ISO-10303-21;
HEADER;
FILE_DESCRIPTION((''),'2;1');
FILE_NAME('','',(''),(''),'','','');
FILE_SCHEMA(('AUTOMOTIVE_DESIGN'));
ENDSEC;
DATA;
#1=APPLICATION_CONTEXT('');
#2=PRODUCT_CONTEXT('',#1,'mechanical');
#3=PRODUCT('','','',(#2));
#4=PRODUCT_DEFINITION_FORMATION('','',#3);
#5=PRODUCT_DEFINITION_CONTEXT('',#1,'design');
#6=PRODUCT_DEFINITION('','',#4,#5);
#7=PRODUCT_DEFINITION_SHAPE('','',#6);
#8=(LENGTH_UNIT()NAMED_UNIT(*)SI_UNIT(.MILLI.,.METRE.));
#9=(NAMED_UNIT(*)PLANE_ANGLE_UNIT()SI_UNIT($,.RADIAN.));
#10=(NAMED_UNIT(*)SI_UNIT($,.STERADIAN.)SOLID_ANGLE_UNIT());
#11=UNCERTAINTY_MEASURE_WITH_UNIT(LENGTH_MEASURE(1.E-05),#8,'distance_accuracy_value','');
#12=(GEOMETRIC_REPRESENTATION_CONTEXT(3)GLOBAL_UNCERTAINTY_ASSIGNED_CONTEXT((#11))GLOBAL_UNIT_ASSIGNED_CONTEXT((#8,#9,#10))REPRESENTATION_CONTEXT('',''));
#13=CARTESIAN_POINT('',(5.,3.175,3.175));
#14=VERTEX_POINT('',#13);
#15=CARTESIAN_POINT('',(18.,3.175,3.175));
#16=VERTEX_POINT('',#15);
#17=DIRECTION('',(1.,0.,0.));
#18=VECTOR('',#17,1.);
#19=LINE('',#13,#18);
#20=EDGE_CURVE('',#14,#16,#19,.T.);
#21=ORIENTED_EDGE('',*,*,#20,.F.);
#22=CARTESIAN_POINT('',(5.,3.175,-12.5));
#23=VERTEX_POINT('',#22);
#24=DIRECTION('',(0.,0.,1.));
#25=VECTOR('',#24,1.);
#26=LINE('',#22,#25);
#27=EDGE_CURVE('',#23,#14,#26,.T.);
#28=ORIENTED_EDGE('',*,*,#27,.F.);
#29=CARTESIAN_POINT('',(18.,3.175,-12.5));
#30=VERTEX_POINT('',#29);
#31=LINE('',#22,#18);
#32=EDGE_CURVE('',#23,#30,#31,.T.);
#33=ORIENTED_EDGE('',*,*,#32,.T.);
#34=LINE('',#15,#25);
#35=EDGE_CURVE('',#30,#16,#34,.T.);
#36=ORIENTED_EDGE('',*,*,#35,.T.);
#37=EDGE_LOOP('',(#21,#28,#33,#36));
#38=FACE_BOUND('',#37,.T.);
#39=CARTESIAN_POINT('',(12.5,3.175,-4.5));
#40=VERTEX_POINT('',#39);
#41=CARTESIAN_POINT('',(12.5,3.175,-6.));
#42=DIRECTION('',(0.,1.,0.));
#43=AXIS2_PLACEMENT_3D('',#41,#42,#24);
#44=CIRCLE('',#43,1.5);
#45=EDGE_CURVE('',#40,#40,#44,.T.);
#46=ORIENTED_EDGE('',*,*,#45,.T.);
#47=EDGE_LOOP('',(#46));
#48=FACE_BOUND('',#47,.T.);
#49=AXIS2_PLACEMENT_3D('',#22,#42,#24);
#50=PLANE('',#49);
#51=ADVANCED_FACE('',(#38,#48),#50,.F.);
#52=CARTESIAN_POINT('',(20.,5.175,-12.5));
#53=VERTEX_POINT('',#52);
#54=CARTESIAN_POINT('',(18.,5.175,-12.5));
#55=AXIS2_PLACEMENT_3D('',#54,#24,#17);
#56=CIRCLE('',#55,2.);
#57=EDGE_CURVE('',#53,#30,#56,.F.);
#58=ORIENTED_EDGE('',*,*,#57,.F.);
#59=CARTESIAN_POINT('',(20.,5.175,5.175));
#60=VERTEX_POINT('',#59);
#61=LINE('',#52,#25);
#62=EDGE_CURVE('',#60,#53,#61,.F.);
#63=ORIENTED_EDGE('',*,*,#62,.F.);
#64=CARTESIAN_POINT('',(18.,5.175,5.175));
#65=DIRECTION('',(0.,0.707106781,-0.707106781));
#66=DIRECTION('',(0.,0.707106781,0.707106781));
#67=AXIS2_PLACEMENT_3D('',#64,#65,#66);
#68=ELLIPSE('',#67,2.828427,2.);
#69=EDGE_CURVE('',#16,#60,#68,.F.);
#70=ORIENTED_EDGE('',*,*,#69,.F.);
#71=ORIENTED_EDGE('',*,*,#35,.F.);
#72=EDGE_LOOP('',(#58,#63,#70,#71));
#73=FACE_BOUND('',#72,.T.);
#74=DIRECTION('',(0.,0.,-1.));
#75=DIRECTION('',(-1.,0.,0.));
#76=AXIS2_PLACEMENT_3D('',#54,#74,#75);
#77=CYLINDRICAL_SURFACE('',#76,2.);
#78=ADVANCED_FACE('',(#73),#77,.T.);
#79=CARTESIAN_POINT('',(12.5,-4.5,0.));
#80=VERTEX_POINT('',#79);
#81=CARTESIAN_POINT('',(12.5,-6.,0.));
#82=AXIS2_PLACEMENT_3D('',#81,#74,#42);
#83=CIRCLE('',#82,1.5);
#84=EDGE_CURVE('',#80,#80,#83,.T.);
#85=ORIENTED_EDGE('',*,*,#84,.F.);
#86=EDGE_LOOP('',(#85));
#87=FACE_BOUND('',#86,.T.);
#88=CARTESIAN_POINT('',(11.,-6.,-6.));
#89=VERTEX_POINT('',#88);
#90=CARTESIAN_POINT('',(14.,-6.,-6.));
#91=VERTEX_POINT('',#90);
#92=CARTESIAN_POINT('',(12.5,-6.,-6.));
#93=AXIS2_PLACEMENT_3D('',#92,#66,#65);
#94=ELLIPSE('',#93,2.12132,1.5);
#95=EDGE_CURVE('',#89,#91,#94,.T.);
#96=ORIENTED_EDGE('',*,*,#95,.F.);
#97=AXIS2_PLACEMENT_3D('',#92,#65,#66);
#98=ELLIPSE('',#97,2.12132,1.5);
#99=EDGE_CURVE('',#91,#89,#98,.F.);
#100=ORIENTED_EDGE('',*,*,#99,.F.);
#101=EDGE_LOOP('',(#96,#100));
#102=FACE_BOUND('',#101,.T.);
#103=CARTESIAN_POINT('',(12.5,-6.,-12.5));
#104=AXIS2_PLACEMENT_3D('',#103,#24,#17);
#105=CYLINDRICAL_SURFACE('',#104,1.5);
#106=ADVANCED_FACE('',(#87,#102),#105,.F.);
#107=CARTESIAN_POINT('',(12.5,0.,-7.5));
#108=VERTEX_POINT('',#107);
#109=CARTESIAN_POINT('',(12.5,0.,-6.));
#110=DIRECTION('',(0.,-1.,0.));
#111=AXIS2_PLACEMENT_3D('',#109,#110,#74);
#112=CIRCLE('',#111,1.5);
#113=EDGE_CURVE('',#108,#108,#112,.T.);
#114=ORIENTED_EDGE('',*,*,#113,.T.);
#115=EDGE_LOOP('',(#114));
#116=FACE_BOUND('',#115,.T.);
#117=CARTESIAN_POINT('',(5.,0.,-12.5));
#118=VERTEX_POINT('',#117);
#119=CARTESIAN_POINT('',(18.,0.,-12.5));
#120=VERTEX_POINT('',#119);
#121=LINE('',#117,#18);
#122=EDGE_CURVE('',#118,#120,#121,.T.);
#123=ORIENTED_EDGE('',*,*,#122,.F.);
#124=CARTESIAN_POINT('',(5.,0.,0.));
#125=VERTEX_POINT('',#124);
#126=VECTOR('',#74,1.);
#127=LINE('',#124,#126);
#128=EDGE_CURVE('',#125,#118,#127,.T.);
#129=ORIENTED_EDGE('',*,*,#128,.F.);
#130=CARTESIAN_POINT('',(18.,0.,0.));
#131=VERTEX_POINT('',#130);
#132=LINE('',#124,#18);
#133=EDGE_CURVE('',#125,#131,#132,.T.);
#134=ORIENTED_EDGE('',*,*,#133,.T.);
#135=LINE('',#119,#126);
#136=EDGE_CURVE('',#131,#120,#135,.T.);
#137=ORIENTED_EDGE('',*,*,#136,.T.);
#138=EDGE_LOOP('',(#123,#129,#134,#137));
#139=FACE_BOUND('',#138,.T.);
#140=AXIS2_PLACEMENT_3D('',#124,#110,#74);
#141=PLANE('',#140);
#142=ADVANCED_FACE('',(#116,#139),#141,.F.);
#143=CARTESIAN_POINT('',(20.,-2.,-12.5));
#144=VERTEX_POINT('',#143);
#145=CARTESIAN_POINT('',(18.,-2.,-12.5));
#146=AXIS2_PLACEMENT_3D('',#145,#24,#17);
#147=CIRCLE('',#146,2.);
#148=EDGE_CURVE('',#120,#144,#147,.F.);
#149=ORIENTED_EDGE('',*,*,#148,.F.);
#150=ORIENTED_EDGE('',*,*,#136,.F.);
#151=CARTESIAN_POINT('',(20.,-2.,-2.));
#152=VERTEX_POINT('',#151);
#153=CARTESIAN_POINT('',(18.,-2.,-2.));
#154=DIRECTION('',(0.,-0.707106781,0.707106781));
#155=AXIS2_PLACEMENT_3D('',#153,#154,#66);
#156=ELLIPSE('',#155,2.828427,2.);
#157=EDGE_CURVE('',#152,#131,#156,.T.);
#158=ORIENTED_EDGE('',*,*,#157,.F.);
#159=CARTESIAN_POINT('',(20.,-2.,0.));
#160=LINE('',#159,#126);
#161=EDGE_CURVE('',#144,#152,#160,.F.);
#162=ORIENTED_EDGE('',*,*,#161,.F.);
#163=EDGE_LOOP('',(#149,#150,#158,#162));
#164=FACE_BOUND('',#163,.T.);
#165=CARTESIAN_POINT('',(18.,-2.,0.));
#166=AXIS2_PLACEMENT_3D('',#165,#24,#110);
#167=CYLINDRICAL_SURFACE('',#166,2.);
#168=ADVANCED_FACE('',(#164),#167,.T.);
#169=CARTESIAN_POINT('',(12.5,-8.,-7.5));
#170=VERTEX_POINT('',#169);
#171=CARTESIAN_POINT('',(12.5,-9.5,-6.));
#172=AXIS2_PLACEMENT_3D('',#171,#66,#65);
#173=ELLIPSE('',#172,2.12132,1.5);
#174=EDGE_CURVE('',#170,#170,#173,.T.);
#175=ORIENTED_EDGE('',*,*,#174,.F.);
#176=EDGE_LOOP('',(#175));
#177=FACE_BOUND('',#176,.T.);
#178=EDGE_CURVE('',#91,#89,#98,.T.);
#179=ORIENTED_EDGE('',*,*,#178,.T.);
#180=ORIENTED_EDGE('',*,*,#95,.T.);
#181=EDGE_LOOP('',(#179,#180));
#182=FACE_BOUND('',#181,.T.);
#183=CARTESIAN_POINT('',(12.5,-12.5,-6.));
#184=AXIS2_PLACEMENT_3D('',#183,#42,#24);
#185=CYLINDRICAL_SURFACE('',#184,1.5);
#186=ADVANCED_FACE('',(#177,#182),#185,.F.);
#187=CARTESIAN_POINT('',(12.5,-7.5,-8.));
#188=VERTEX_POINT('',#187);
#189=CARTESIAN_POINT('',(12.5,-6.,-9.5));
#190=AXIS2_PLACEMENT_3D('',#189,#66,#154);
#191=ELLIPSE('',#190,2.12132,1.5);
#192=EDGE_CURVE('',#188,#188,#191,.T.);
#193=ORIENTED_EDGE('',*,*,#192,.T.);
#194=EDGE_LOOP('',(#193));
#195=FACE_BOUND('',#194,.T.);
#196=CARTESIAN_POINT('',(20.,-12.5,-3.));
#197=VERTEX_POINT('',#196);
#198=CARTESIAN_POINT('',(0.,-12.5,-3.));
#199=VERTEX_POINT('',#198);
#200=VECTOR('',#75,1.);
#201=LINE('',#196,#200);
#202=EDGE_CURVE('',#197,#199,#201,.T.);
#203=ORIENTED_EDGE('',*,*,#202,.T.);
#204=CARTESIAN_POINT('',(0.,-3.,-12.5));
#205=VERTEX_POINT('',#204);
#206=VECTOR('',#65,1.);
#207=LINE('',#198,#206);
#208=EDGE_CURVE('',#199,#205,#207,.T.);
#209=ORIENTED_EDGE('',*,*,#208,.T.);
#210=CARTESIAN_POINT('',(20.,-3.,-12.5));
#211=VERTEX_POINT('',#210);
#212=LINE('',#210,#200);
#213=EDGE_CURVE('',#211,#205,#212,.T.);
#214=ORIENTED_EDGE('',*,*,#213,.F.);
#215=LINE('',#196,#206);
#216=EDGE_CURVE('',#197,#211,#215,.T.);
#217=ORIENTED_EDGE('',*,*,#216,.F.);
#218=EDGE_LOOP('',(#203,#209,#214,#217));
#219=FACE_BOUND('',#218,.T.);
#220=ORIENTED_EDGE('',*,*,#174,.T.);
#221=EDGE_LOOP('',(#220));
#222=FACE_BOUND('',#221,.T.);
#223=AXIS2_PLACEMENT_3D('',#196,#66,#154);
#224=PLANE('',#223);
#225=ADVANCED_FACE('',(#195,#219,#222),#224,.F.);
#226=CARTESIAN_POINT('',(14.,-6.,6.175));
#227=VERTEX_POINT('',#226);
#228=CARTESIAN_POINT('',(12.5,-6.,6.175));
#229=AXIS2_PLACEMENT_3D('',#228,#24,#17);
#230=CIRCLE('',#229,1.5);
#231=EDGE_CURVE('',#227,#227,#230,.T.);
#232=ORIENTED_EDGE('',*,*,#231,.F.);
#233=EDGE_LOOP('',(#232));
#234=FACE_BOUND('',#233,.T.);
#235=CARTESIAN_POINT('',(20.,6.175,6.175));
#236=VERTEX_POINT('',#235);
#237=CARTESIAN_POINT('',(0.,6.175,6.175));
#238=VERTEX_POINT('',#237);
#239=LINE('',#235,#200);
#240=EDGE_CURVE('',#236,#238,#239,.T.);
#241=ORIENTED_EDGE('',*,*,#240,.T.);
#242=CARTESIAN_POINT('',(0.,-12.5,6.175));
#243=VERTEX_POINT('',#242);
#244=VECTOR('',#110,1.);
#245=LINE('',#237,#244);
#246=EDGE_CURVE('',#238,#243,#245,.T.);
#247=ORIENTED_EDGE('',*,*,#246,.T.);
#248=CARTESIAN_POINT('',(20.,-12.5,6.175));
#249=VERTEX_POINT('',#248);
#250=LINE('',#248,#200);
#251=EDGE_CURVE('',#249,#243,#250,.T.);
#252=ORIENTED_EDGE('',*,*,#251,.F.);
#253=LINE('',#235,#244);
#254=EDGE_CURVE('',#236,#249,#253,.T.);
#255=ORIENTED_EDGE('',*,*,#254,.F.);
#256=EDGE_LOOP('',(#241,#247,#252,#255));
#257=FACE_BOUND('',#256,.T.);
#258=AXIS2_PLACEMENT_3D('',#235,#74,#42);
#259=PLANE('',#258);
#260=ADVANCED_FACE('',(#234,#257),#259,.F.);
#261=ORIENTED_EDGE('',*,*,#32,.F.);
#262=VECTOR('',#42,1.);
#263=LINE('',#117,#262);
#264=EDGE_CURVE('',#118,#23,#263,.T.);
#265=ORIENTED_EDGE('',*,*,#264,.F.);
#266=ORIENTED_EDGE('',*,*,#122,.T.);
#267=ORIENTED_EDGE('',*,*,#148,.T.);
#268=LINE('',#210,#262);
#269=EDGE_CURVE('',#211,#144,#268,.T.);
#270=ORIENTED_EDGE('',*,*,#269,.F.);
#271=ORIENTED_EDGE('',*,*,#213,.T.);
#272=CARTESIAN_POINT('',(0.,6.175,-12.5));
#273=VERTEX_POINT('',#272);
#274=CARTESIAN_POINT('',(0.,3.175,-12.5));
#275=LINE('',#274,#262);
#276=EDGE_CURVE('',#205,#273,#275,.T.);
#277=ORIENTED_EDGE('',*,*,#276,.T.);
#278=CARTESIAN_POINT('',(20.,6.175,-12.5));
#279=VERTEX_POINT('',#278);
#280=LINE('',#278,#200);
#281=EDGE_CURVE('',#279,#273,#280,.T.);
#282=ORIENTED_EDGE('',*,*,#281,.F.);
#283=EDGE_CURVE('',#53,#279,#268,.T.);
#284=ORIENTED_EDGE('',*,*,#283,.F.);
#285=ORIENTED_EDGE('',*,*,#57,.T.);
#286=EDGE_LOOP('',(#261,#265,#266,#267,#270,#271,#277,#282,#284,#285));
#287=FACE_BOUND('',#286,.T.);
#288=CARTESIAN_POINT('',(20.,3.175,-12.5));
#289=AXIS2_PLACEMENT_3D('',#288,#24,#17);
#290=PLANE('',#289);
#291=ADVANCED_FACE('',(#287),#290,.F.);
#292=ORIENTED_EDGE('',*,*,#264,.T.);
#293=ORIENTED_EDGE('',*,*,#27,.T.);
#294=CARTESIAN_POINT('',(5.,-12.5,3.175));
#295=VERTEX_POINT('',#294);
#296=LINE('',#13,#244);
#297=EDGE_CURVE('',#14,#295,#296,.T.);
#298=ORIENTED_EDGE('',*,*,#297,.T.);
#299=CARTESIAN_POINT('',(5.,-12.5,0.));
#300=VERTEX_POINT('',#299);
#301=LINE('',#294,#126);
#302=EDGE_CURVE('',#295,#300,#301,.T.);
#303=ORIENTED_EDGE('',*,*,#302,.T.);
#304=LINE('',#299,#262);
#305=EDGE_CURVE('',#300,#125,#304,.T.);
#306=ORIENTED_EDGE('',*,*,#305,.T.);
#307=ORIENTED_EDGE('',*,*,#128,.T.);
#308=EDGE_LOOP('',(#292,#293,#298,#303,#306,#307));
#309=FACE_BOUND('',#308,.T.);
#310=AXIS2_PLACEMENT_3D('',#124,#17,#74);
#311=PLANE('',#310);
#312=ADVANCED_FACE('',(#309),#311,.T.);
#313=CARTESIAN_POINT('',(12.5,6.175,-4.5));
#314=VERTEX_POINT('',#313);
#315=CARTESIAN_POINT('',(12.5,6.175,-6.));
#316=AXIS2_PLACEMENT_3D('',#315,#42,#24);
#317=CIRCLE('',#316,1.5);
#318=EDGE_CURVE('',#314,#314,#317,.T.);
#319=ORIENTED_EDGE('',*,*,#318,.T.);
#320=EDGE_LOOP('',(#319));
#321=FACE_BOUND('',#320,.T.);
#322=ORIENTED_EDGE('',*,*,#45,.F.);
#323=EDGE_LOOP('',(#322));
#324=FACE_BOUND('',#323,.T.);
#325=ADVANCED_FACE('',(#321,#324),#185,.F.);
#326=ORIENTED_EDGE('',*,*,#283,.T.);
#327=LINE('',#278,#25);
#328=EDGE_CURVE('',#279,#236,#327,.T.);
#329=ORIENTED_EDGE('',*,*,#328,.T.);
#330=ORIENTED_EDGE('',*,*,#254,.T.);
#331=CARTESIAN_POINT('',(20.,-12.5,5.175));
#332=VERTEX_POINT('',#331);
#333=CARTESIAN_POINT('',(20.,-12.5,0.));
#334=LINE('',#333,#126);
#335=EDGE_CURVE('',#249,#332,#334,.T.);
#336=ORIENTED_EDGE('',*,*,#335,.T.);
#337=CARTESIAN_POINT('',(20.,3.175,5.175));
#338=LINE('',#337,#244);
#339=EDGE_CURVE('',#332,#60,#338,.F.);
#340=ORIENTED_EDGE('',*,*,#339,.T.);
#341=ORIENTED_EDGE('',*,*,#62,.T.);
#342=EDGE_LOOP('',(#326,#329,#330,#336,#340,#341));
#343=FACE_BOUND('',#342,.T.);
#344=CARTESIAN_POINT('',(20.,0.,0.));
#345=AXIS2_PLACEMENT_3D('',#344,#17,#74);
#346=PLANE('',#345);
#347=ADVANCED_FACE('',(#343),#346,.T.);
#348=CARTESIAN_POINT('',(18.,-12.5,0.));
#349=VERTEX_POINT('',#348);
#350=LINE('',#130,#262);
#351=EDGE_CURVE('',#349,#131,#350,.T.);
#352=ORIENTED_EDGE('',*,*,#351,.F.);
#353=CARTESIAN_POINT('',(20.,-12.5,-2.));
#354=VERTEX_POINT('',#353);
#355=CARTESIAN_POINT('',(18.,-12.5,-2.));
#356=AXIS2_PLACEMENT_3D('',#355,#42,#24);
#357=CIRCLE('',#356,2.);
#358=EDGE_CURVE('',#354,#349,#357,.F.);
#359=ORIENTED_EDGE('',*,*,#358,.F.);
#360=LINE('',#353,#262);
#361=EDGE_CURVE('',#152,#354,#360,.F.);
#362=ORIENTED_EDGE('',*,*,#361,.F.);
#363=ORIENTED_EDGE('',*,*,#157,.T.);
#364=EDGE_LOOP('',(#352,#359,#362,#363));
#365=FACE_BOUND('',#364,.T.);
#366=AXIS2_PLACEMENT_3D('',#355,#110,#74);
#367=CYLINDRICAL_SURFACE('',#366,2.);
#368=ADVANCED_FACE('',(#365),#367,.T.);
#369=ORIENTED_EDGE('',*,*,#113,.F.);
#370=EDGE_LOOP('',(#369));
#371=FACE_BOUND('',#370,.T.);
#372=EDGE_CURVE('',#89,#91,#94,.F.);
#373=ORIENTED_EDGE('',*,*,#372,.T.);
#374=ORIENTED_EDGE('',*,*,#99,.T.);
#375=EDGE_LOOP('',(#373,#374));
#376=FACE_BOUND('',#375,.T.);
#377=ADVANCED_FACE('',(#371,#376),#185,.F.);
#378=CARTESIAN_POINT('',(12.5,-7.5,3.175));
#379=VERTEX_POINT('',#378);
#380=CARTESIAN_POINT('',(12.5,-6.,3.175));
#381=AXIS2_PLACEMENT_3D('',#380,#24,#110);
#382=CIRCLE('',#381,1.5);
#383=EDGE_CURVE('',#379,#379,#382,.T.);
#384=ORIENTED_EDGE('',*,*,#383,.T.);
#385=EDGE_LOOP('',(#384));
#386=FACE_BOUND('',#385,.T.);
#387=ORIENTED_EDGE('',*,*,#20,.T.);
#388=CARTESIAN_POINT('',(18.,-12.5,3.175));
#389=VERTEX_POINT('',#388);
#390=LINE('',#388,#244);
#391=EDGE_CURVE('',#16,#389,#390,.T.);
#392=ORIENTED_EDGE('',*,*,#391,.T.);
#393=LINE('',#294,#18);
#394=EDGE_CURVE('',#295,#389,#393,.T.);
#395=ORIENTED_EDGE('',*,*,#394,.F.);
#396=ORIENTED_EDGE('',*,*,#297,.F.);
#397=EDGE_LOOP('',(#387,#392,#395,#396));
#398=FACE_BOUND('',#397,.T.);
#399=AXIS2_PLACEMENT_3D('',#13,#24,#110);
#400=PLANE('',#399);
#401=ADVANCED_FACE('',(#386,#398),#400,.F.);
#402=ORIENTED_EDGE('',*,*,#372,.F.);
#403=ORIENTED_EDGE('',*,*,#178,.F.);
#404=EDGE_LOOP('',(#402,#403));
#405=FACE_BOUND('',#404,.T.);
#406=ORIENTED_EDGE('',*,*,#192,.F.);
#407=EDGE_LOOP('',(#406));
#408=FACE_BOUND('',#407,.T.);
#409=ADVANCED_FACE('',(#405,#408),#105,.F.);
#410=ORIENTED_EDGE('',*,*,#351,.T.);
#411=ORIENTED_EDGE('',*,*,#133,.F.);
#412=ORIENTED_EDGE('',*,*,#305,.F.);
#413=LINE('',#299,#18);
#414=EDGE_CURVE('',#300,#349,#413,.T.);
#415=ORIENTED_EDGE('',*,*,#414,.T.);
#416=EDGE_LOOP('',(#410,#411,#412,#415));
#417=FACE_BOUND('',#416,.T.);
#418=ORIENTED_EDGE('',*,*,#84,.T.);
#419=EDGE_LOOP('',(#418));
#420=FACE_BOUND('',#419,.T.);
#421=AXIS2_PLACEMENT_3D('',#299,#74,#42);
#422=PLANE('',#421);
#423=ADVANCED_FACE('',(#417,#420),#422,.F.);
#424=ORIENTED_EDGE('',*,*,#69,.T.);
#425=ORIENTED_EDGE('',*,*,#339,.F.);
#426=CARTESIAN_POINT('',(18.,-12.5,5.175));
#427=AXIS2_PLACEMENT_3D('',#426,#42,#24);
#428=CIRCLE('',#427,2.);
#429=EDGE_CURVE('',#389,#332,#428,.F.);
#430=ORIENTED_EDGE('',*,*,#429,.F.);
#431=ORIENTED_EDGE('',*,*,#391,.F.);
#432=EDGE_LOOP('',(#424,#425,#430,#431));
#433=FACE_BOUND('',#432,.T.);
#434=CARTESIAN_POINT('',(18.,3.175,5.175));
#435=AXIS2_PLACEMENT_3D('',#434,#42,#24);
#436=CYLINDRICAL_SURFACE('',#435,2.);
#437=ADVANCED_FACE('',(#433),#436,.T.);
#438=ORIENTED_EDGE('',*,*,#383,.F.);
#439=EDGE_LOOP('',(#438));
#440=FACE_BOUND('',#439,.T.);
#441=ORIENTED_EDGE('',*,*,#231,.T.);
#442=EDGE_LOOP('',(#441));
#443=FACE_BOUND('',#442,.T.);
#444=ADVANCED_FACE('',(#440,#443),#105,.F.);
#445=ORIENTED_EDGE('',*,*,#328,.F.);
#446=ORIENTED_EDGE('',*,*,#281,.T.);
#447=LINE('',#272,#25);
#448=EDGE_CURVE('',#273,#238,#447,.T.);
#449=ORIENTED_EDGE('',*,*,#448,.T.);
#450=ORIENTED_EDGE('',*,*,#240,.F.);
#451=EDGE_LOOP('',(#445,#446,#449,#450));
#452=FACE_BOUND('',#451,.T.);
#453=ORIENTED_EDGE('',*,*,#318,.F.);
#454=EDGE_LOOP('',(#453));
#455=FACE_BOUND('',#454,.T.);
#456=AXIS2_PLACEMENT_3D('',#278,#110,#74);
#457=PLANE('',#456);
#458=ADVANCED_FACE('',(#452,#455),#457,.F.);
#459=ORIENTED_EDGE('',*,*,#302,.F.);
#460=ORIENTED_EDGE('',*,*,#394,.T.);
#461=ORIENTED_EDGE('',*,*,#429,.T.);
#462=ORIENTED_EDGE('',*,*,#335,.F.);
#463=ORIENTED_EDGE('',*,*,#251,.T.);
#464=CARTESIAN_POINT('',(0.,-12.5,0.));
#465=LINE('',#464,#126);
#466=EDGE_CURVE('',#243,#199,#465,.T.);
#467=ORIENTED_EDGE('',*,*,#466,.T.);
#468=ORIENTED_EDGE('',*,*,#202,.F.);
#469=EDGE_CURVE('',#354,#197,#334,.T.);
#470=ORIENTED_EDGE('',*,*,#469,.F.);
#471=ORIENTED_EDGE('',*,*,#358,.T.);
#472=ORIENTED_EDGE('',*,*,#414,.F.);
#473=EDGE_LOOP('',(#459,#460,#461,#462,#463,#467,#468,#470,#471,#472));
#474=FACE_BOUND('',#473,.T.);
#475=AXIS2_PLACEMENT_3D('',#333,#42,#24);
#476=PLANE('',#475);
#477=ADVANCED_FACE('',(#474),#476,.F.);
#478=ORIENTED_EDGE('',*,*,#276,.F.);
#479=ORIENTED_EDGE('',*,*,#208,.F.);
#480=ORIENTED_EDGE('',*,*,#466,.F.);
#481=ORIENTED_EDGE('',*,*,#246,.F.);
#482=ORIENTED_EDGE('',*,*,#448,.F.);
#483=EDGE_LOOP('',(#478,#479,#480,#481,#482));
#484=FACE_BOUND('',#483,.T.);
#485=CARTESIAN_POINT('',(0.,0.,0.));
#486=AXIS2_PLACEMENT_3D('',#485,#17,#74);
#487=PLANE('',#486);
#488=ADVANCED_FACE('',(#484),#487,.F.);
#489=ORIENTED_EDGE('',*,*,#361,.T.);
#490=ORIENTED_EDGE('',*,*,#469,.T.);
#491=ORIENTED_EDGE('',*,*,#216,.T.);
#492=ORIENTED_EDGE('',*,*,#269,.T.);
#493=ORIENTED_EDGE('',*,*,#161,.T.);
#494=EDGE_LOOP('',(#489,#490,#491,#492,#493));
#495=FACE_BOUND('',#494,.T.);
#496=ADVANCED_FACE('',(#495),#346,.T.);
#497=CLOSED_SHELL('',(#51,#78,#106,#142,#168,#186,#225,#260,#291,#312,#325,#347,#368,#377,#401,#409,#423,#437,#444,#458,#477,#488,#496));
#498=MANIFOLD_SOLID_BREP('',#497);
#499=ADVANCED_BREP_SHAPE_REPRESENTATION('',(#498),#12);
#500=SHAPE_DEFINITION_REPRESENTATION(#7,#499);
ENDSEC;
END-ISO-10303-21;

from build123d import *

# Parameters (mm, degrees)
BOSS_EXTRUDE1_DEPTH = 20
CUT_EXTRUDE1_DEPTH  = 15
FILLET1_R           = 2
SKETCH3_R           = 1.5
CUT_EXTRUDE2_DEPTH  = 31.083311404
SKETCH4_R           = 1.5
CUT_EXTRUDE3_DEPTH  = 31.083311404


with BuildPart() as part:
    # Sketch1 → Boss-Extrude1 (new body)
    with BuildSketch(Plane(origin=(0, 0, 0), x_dir=(0, 0, -1), z_dir=(1, 0, 0))):
        Polygon((0, -12.5), (-3.175, -12.5), (-6.175, -12.5), (-6.175, 6.175), (12.5, 6.175), (12.5, 3.175), (12.5, 0), (12.5, -3), (3, -12.5), align=None)
    extrude(amount=BOSS_EXTRUDE1_DEPTH)

    # Sketch2 → Cut-Extrude1 (cut)
    with BuildSketch(Plane(origin=(20, 0, 0), x_dir=(0, 0, -1), z_dir=(1, 0, 0))):
        Polygon((-3.175, -12.5), (0, -12.5), (0, 0), (12.5, 0), (12.5, 3.175), (-3.175, 3.175), align=None)
    extrude(amount=-CUT_EXTRUDE1_DEPTH, mode=Mode.SUBTRACT)

    # Fillet1
    fillet1_edges = [part.edges().sort_by_distance(p)[0] for p in [
        (20, -4.6625, 3.175),
        (20, -6.25, 0),
        (20, 0, -6.25),
        (20, 3.175, -4.6625),
    ]]
    fillet(fillet1_edges, radius=FILLET1_R)

    # Sketch3 → Cut-Extrude2 (cut, through all)
    with BuildSketch(Plane(origin=(0, 6.175, 0), x_dir=(1, 0, 0), z_dir=(0, 1, 0))):
        with Locations(Location((12.5, 6, 0), (0, 0, 90))):
            Circle(SKETCH3_R)
    extrude(amount=-CUT_EXTRUDE2_DEPTH, mode=Mode.SUBTRACT)

    # Sketch4 → Cut-Extrude3 (cut, through all)
    with BuildSketch(Plane.XY.offset(6.175)):
        with Locations((12.5, -6)):
            Circle(SKETCH4_R)
    extrude(amount=-CUT_EXTRUDE3_DEPTH, mode=Mode.SUBTRACT)


solid = part.part
